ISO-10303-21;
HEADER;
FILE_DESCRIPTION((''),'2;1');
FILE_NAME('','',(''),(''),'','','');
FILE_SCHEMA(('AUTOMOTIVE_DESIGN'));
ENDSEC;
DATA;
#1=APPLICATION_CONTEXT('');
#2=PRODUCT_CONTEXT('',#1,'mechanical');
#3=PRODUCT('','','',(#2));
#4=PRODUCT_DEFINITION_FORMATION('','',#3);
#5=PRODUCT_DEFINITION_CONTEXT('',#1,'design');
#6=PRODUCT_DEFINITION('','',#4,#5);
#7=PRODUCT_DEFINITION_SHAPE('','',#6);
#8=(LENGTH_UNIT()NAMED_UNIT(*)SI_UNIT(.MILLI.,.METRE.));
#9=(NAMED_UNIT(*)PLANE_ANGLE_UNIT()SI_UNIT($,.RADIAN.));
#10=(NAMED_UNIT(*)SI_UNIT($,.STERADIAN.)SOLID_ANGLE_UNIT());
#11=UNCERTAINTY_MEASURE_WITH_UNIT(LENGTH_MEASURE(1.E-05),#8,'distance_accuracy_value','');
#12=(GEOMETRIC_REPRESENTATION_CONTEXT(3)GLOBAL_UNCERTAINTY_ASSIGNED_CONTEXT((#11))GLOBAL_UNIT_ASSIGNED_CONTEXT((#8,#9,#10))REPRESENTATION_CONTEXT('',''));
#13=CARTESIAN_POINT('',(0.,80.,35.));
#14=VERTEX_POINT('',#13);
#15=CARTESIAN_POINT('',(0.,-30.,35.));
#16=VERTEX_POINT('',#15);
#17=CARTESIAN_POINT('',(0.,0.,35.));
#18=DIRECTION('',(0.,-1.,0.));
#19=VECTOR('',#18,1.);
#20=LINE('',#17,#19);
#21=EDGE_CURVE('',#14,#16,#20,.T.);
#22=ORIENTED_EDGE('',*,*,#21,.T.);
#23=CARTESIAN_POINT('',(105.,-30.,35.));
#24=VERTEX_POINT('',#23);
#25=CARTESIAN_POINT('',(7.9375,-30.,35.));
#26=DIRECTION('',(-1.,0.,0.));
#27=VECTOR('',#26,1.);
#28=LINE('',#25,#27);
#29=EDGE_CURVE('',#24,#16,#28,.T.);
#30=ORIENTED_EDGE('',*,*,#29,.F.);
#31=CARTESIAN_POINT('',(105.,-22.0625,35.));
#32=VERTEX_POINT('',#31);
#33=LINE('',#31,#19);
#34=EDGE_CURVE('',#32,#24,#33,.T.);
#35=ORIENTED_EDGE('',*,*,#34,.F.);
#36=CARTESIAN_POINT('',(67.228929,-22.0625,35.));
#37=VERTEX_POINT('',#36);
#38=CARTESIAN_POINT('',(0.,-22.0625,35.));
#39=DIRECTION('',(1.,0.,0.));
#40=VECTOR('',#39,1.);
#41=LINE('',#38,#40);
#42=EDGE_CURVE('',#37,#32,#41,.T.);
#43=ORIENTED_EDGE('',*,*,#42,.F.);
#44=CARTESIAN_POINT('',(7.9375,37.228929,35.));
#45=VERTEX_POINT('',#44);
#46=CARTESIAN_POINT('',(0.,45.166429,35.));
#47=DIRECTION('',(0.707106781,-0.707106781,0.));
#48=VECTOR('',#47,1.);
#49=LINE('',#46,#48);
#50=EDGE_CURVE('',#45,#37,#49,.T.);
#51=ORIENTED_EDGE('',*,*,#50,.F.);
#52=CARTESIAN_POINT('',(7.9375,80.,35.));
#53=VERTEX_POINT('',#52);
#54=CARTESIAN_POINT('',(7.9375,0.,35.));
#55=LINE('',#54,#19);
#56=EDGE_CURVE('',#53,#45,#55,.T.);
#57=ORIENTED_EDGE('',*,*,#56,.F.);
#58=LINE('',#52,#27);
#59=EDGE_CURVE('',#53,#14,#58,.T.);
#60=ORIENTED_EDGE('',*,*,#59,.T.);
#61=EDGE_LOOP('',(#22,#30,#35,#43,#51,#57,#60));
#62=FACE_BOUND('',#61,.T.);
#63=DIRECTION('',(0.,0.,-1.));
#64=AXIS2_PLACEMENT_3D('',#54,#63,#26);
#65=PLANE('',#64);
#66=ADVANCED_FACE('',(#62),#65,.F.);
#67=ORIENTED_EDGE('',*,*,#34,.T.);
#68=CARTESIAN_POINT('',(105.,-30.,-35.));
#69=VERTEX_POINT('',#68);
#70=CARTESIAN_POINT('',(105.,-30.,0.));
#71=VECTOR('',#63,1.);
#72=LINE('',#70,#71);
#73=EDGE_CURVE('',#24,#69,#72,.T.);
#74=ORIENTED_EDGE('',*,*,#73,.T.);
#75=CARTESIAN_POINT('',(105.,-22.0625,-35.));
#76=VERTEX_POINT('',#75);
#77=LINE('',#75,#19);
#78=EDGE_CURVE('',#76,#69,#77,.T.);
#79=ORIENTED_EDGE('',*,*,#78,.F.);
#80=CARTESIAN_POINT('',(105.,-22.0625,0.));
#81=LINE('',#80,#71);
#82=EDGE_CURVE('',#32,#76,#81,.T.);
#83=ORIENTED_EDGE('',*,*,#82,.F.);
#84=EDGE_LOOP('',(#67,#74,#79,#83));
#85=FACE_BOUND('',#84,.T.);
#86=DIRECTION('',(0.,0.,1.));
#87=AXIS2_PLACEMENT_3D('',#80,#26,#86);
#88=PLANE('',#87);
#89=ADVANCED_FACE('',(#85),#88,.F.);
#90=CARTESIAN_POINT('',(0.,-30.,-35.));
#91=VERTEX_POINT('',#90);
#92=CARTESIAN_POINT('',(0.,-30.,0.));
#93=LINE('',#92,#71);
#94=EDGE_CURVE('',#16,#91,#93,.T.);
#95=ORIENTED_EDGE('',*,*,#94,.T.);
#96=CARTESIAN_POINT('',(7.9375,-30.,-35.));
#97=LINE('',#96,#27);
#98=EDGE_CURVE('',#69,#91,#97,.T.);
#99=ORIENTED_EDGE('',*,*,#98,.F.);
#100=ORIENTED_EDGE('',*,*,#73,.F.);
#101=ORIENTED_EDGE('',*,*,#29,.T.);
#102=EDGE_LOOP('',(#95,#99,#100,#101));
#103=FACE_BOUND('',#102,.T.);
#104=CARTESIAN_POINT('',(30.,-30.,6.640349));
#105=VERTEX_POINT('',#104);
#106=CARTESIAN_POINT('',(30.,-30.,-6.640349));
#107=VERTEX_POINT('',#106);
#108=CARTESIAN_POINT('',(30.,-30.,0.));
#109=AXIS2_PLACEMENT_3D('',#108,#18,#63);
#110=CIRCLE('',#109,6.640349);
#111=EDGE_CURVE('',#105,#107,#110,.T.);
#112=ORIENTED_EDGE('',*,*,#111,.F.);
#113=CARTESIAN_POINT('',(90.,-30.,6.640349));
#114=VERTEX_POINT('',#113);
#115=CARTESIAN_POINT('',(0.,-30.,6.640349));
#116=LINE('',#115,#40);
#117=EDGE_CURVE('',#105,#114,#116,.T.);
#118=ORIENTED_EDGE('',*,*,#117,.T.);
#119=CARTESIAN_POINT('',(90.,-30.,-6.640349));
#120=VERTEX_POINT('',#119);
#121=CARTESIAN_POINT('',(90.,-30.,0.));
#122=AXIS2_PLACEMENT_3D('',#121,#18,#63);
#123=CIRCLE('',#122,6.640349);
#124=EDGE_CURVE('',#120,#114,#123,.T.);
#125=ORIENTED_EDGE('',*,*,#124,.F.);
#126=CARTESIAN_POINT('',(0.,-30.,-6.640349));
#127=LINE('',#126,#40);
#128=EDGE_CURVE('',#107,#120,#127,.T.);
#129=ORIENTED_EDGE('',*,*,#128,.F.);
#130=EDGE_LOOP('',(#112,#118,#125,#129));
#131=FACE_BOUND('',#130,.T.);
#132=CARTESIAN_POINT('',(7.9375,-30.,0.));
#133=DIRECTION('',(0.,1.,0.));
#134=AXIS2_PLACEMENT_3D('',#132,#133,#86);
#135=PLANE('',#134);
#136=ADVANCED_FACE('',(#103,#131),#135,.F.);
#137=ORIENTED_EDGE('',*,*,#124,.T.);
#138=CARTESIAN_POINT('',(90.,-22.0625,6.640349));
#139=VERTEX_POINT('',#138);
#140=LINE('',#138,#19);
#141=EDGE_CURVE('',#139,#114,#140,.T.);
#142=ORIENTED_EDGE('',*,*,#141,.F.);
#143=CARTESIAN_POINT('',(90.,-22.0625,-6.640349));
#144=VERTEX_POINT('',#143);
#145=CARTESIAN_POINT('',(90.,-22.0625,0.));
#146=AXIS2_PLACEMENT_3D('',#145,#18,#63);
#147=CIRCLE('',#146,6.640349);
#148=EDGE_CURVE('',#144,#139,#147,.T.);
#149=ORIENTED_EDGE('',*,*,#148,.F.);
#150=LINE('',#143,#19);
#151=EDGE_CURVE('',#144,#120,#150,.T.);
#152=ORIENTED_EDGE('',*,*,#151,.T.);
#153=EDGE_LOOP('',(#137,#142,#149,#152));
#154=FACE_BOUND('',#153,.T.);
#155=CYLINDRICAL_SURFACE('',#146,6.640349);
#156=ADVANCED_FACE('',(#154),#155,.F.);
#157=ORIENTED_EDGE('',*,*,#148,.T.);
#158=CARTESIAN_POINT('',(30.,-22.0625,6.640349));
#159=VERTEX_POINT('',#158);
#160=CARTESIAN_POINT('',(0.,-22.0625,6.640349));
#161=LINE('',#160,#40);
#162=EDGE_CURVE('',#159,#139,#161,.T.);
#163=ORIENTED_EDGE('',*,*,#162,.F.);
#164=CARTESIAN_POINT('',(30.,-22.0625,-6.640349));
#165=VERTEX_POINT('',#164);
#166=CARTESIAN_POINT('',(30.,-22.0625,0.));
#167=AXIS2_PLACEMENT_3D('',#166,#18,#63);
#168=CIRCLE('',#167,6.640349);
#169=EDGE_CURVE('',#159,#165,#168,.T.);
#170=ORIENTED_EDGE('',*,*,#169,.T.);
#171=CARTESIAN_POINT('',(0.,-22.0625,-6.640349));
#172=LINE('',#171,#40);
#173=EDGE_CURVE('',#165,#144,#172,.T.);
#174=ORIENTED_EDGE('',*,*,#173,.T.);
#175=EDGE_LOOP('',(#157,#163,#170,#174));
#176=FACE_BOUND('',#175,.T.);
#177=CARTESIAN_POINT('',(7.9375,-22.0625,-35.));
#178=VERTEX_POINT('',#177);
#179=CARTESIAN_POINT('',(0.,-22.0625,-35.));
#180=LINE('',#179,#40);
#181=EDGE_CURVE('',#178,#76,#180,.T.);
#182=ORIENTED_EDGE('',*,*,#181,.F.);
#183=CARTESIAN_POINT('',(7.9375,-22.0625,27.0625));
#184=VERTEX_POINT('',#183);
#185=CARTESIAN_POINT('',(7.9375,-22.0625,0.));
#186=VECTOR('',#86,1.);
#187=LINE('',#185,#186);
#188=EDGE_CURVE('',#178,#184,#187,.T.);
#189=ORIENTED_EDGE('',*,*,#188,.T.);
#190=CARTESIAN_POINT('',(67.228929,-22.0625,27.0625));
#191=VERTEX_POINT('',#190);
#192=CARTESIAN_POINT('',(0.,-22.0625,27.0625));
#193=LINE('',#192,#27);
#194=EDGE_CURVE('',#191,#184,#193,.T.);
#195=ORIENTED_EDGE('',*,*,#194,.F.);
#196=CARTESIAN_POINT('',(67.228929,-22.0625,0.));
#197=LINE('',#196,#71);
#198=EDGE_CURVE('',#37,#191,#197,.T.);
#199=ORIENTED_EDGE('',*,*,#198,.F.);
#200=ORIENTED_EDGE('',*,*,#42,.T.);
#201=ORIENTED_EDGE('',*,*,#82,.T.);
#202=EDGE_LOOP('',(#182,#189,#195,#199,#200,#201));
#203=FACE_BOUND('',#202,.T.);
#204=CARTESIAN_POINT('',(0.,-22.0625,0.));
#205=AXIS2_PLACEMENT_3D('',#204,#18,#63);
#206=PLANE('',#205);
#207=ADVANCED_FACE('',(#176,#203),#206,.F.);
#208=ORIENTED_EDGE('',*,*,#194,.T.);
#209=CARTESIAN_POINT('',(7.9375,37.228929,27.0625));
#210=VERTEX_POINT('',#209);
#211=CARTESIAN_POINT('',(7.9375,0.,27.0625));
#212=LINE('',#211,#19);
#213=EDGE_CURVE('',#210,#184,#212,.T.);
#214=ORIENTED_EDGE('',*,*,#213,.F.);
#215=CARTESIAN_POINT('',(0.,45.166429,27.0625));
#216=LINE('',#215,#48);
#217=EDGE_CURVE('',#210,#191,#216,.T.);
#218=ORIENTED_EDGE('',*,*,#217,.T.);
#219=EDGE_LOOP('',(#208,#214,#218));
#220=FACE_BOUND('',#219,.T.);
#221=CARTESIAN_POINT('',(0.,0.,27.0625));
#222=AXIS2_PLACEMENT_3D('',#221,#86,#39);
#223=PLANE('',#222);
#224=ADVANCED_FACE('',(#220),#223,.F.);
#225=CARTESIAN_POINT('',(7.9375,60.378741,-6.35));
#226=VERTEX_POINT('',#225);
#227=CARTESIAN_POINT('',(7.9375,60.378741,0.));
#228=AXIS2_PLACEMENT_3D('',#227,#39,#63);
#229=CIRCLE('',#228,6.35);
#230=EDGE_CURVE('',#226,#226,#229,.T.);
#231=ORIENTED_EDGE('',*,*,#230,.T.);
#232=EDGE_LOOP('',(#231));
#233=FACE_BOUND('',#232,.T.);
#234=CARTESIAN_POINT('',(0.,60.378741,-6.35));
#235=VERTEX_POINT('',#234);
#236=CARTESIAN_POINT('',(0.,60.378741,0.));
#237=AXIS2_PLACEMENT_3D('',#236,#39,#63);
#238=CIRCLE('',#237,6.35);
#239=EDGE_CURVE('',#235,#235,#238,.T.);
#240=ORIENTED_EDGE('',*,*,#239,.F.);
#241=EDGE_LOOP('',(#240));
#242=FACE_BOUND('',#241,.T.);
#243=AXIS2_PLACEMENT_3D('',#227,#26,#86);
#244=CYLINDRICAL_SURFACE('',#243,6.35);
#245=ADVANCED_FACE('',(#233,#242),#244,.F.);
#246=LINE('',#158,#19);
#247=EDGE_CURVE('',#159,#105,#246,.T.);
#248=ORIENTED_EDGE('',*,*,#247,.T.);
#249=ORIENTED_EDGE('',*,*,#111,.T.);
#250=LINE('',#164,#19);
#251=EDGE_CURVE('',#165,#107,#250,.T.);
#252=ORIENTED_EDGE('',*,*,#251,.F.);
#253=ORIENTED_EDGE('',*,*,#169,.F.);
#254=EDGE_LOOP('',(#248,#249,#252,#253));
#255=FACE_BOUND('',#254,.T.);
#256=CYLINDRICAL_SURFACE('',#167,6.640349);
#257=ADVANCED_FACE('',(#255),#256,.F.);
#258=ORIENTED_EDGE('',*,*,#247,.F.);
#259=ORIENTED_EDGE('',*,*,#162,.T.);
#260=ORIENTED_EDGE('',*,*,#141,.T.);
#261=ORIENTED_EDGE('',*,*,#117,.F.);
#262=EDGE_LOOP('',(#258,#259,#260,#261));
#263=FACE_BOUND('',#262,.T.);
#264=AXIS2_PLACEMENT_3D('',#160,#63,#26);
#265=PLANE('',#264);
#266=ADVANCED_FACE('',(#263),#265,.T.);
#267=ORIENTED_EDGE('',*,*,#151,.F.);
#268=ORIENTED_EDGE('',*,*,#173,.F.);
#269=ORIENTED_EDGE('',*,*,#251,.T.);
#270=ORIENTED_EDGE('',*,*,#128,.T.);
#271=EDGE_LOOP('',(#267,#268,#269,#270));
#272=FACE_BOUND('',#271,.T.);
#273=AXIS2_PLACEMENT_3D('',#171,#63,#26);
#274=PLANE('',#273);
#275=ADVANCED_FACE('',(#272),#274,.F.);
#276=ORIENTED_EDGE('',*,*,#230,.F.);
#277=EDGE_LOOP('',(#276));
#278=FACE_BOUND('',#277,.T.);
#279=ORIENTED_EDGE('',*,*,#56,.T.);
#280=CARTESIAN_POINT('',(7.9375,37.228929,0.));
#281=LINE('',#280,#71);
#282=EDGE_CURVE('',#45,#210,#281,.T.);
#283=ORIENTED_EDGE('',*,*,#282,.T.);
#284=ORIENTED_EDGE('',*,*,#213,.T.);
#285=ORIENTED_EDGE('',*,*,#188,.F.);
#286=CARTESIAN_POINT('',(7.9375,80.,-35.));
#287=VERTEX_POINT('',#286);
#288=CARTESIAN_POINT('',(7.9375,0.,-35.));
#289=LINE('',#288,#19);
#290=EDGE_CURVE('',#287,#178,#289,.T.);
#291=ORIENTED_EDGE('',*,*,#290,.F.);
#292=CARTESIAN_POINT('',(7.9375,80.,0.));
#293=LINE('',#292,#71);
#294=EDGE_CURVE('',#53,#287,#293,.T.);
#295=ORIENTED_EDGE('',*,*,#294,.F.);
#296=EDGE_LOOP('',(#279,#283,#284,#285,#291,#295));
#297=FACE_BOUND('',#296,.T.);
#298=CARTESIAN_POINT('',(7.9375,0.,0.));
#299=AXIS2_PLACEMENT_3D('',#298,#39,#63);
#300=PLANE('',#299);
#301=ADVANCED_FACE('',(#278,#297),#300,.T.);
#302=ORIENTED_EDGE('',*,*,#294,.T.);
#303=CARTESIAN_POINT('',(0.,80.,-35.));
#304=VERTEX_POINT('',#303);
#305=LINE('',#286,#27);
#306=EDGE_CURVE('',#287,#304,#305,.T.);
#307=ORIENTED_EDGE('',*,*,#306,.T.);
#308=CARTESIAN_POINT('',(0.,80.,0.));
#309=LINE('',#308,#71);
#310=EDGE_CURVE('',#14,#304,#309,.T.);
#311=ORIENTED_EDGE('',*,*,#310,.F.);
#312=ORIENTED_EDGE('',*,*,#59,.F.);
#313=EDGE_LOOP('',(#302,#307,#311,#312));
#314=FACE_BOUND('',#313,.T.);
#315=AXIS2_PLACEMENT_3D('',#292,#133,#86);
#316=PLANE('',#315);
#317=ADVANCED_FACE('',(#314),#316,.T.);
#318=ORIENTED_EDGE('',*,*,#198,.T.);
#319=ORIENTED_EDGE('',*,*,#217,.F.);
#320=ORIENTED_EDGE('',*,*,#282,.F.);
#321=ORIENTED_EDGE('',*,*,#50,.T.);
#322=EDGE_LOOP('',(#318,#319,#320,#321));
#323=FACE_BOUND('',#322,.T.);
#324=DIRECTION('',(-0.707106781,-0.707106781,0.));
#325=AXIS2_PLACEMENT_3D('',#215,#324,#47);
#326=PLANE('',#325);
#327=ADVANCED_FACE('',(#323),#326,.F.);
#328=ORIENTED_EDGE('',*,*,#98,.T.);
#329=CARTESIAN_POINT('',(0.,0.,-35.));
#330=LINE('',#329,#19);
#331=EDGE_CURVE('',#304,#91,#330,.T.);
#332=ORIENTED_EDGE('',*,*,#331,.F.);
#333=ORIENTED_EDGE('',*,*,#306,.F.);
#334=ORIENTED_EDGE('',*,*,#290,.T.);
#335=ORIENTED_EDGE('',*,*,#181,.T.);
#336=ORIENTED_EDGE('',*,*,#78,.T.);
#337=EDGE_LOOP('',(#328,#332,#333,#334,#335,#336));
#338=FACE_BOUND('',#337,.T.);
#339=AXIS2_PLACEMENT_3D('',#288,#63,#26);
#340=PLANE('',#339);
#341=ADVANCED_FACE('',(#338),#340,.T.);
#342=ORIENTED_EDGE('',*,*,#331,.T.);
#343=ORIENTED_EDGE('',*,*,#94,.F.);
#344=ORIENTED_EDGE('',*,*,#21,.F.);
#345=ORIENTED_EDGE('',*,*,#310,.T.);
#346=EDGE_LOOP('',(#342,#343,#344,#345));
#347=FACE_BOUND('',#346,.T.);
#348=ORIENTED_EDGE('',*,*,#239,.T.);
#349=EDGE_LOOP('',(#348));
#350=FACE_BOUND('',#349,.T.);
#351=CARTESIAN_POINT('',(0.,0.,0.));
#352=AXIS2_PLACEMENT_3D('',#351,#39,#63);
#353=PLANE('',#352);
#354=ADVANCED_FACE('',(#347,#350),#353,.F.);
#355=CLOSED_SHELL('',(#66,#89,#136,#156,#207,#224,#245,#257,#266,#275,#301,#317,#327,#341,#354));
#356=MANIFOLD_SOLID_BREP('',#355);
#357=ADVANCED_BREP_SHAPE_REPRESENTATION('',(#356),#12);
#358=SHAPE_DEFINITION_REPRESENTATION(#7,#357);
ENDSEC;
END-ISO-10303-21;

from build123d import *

# Parameters (mm, degrees)
CROQUIS1_W              = 70
CROQUIS1_H              = 110
CROQUIS1_R              = 6.35
SALIENTE_EXTRUIR1_DEPTH = 7.9375
CROQUIS2_W              = 97.0625
CROQUIS2_H              = 70
SALIENTE_EXTRUIR2_DEPTH = 7.9375
SALIENTE_EXTRUIR3_DEPTH = 7.9375


with BuildPart() as part:
    # Croquis1 → Saliente-Extruir1 (new body)
    with BuildSketch(Plane(origin=(0, 0, 0), x_dir=(0, 0, -1), z_dir=(1, 0, 0))):
        with Locations((0, 25)):
            Rectangle(CROQUIS1_W, CROQUIS1_H)
        with Locations((0, 60.378740827)):
            Circle(CROQUIS1_R, mode=Mode.SUBTRACT)
    extrude(amount=SALIENTE_EXTRUIR1_DEPTH)

    # Croquis2 → Saliente-Extruir2 (add)
    with BuildSketch(Plane.XZ.offset(30)):
        with Locations((56.46875, 0)):
            Rectangle(CROQUIS2_W, CROQUIS2_H)
        with BuildLine():
            ThreePointArc((30, -6.640349162), (23.359650838, 0), (30, 6.640349162))
            Line((30, 6.640349162), (90, 6.640349162))
            ThreePointArc((90, 6.640349162), (96.640349162, 0), (90, -6.640349162))
            Line((90, -6.640349162), (30, -6.640349162))
        make_face(mode=Mode.SUBTRACT)
    extrude(amount=-SALIENTE_EXTRUIR2_DEPTH)

    # Croquis3 → Saliente-Extruir3 (add)
    with BuildSketch(Plane(origin=(0, 0, 35), x_dir=(-1, 0, 0), z_dir=(0, 0, -1))):
        Polygon((0, 45.166428926), (-75.166428926, -30), (0, -30), align=None)
    extrude(amount=SALIENTE_EXTRUIR3_DEPTH)


solid = part.part
